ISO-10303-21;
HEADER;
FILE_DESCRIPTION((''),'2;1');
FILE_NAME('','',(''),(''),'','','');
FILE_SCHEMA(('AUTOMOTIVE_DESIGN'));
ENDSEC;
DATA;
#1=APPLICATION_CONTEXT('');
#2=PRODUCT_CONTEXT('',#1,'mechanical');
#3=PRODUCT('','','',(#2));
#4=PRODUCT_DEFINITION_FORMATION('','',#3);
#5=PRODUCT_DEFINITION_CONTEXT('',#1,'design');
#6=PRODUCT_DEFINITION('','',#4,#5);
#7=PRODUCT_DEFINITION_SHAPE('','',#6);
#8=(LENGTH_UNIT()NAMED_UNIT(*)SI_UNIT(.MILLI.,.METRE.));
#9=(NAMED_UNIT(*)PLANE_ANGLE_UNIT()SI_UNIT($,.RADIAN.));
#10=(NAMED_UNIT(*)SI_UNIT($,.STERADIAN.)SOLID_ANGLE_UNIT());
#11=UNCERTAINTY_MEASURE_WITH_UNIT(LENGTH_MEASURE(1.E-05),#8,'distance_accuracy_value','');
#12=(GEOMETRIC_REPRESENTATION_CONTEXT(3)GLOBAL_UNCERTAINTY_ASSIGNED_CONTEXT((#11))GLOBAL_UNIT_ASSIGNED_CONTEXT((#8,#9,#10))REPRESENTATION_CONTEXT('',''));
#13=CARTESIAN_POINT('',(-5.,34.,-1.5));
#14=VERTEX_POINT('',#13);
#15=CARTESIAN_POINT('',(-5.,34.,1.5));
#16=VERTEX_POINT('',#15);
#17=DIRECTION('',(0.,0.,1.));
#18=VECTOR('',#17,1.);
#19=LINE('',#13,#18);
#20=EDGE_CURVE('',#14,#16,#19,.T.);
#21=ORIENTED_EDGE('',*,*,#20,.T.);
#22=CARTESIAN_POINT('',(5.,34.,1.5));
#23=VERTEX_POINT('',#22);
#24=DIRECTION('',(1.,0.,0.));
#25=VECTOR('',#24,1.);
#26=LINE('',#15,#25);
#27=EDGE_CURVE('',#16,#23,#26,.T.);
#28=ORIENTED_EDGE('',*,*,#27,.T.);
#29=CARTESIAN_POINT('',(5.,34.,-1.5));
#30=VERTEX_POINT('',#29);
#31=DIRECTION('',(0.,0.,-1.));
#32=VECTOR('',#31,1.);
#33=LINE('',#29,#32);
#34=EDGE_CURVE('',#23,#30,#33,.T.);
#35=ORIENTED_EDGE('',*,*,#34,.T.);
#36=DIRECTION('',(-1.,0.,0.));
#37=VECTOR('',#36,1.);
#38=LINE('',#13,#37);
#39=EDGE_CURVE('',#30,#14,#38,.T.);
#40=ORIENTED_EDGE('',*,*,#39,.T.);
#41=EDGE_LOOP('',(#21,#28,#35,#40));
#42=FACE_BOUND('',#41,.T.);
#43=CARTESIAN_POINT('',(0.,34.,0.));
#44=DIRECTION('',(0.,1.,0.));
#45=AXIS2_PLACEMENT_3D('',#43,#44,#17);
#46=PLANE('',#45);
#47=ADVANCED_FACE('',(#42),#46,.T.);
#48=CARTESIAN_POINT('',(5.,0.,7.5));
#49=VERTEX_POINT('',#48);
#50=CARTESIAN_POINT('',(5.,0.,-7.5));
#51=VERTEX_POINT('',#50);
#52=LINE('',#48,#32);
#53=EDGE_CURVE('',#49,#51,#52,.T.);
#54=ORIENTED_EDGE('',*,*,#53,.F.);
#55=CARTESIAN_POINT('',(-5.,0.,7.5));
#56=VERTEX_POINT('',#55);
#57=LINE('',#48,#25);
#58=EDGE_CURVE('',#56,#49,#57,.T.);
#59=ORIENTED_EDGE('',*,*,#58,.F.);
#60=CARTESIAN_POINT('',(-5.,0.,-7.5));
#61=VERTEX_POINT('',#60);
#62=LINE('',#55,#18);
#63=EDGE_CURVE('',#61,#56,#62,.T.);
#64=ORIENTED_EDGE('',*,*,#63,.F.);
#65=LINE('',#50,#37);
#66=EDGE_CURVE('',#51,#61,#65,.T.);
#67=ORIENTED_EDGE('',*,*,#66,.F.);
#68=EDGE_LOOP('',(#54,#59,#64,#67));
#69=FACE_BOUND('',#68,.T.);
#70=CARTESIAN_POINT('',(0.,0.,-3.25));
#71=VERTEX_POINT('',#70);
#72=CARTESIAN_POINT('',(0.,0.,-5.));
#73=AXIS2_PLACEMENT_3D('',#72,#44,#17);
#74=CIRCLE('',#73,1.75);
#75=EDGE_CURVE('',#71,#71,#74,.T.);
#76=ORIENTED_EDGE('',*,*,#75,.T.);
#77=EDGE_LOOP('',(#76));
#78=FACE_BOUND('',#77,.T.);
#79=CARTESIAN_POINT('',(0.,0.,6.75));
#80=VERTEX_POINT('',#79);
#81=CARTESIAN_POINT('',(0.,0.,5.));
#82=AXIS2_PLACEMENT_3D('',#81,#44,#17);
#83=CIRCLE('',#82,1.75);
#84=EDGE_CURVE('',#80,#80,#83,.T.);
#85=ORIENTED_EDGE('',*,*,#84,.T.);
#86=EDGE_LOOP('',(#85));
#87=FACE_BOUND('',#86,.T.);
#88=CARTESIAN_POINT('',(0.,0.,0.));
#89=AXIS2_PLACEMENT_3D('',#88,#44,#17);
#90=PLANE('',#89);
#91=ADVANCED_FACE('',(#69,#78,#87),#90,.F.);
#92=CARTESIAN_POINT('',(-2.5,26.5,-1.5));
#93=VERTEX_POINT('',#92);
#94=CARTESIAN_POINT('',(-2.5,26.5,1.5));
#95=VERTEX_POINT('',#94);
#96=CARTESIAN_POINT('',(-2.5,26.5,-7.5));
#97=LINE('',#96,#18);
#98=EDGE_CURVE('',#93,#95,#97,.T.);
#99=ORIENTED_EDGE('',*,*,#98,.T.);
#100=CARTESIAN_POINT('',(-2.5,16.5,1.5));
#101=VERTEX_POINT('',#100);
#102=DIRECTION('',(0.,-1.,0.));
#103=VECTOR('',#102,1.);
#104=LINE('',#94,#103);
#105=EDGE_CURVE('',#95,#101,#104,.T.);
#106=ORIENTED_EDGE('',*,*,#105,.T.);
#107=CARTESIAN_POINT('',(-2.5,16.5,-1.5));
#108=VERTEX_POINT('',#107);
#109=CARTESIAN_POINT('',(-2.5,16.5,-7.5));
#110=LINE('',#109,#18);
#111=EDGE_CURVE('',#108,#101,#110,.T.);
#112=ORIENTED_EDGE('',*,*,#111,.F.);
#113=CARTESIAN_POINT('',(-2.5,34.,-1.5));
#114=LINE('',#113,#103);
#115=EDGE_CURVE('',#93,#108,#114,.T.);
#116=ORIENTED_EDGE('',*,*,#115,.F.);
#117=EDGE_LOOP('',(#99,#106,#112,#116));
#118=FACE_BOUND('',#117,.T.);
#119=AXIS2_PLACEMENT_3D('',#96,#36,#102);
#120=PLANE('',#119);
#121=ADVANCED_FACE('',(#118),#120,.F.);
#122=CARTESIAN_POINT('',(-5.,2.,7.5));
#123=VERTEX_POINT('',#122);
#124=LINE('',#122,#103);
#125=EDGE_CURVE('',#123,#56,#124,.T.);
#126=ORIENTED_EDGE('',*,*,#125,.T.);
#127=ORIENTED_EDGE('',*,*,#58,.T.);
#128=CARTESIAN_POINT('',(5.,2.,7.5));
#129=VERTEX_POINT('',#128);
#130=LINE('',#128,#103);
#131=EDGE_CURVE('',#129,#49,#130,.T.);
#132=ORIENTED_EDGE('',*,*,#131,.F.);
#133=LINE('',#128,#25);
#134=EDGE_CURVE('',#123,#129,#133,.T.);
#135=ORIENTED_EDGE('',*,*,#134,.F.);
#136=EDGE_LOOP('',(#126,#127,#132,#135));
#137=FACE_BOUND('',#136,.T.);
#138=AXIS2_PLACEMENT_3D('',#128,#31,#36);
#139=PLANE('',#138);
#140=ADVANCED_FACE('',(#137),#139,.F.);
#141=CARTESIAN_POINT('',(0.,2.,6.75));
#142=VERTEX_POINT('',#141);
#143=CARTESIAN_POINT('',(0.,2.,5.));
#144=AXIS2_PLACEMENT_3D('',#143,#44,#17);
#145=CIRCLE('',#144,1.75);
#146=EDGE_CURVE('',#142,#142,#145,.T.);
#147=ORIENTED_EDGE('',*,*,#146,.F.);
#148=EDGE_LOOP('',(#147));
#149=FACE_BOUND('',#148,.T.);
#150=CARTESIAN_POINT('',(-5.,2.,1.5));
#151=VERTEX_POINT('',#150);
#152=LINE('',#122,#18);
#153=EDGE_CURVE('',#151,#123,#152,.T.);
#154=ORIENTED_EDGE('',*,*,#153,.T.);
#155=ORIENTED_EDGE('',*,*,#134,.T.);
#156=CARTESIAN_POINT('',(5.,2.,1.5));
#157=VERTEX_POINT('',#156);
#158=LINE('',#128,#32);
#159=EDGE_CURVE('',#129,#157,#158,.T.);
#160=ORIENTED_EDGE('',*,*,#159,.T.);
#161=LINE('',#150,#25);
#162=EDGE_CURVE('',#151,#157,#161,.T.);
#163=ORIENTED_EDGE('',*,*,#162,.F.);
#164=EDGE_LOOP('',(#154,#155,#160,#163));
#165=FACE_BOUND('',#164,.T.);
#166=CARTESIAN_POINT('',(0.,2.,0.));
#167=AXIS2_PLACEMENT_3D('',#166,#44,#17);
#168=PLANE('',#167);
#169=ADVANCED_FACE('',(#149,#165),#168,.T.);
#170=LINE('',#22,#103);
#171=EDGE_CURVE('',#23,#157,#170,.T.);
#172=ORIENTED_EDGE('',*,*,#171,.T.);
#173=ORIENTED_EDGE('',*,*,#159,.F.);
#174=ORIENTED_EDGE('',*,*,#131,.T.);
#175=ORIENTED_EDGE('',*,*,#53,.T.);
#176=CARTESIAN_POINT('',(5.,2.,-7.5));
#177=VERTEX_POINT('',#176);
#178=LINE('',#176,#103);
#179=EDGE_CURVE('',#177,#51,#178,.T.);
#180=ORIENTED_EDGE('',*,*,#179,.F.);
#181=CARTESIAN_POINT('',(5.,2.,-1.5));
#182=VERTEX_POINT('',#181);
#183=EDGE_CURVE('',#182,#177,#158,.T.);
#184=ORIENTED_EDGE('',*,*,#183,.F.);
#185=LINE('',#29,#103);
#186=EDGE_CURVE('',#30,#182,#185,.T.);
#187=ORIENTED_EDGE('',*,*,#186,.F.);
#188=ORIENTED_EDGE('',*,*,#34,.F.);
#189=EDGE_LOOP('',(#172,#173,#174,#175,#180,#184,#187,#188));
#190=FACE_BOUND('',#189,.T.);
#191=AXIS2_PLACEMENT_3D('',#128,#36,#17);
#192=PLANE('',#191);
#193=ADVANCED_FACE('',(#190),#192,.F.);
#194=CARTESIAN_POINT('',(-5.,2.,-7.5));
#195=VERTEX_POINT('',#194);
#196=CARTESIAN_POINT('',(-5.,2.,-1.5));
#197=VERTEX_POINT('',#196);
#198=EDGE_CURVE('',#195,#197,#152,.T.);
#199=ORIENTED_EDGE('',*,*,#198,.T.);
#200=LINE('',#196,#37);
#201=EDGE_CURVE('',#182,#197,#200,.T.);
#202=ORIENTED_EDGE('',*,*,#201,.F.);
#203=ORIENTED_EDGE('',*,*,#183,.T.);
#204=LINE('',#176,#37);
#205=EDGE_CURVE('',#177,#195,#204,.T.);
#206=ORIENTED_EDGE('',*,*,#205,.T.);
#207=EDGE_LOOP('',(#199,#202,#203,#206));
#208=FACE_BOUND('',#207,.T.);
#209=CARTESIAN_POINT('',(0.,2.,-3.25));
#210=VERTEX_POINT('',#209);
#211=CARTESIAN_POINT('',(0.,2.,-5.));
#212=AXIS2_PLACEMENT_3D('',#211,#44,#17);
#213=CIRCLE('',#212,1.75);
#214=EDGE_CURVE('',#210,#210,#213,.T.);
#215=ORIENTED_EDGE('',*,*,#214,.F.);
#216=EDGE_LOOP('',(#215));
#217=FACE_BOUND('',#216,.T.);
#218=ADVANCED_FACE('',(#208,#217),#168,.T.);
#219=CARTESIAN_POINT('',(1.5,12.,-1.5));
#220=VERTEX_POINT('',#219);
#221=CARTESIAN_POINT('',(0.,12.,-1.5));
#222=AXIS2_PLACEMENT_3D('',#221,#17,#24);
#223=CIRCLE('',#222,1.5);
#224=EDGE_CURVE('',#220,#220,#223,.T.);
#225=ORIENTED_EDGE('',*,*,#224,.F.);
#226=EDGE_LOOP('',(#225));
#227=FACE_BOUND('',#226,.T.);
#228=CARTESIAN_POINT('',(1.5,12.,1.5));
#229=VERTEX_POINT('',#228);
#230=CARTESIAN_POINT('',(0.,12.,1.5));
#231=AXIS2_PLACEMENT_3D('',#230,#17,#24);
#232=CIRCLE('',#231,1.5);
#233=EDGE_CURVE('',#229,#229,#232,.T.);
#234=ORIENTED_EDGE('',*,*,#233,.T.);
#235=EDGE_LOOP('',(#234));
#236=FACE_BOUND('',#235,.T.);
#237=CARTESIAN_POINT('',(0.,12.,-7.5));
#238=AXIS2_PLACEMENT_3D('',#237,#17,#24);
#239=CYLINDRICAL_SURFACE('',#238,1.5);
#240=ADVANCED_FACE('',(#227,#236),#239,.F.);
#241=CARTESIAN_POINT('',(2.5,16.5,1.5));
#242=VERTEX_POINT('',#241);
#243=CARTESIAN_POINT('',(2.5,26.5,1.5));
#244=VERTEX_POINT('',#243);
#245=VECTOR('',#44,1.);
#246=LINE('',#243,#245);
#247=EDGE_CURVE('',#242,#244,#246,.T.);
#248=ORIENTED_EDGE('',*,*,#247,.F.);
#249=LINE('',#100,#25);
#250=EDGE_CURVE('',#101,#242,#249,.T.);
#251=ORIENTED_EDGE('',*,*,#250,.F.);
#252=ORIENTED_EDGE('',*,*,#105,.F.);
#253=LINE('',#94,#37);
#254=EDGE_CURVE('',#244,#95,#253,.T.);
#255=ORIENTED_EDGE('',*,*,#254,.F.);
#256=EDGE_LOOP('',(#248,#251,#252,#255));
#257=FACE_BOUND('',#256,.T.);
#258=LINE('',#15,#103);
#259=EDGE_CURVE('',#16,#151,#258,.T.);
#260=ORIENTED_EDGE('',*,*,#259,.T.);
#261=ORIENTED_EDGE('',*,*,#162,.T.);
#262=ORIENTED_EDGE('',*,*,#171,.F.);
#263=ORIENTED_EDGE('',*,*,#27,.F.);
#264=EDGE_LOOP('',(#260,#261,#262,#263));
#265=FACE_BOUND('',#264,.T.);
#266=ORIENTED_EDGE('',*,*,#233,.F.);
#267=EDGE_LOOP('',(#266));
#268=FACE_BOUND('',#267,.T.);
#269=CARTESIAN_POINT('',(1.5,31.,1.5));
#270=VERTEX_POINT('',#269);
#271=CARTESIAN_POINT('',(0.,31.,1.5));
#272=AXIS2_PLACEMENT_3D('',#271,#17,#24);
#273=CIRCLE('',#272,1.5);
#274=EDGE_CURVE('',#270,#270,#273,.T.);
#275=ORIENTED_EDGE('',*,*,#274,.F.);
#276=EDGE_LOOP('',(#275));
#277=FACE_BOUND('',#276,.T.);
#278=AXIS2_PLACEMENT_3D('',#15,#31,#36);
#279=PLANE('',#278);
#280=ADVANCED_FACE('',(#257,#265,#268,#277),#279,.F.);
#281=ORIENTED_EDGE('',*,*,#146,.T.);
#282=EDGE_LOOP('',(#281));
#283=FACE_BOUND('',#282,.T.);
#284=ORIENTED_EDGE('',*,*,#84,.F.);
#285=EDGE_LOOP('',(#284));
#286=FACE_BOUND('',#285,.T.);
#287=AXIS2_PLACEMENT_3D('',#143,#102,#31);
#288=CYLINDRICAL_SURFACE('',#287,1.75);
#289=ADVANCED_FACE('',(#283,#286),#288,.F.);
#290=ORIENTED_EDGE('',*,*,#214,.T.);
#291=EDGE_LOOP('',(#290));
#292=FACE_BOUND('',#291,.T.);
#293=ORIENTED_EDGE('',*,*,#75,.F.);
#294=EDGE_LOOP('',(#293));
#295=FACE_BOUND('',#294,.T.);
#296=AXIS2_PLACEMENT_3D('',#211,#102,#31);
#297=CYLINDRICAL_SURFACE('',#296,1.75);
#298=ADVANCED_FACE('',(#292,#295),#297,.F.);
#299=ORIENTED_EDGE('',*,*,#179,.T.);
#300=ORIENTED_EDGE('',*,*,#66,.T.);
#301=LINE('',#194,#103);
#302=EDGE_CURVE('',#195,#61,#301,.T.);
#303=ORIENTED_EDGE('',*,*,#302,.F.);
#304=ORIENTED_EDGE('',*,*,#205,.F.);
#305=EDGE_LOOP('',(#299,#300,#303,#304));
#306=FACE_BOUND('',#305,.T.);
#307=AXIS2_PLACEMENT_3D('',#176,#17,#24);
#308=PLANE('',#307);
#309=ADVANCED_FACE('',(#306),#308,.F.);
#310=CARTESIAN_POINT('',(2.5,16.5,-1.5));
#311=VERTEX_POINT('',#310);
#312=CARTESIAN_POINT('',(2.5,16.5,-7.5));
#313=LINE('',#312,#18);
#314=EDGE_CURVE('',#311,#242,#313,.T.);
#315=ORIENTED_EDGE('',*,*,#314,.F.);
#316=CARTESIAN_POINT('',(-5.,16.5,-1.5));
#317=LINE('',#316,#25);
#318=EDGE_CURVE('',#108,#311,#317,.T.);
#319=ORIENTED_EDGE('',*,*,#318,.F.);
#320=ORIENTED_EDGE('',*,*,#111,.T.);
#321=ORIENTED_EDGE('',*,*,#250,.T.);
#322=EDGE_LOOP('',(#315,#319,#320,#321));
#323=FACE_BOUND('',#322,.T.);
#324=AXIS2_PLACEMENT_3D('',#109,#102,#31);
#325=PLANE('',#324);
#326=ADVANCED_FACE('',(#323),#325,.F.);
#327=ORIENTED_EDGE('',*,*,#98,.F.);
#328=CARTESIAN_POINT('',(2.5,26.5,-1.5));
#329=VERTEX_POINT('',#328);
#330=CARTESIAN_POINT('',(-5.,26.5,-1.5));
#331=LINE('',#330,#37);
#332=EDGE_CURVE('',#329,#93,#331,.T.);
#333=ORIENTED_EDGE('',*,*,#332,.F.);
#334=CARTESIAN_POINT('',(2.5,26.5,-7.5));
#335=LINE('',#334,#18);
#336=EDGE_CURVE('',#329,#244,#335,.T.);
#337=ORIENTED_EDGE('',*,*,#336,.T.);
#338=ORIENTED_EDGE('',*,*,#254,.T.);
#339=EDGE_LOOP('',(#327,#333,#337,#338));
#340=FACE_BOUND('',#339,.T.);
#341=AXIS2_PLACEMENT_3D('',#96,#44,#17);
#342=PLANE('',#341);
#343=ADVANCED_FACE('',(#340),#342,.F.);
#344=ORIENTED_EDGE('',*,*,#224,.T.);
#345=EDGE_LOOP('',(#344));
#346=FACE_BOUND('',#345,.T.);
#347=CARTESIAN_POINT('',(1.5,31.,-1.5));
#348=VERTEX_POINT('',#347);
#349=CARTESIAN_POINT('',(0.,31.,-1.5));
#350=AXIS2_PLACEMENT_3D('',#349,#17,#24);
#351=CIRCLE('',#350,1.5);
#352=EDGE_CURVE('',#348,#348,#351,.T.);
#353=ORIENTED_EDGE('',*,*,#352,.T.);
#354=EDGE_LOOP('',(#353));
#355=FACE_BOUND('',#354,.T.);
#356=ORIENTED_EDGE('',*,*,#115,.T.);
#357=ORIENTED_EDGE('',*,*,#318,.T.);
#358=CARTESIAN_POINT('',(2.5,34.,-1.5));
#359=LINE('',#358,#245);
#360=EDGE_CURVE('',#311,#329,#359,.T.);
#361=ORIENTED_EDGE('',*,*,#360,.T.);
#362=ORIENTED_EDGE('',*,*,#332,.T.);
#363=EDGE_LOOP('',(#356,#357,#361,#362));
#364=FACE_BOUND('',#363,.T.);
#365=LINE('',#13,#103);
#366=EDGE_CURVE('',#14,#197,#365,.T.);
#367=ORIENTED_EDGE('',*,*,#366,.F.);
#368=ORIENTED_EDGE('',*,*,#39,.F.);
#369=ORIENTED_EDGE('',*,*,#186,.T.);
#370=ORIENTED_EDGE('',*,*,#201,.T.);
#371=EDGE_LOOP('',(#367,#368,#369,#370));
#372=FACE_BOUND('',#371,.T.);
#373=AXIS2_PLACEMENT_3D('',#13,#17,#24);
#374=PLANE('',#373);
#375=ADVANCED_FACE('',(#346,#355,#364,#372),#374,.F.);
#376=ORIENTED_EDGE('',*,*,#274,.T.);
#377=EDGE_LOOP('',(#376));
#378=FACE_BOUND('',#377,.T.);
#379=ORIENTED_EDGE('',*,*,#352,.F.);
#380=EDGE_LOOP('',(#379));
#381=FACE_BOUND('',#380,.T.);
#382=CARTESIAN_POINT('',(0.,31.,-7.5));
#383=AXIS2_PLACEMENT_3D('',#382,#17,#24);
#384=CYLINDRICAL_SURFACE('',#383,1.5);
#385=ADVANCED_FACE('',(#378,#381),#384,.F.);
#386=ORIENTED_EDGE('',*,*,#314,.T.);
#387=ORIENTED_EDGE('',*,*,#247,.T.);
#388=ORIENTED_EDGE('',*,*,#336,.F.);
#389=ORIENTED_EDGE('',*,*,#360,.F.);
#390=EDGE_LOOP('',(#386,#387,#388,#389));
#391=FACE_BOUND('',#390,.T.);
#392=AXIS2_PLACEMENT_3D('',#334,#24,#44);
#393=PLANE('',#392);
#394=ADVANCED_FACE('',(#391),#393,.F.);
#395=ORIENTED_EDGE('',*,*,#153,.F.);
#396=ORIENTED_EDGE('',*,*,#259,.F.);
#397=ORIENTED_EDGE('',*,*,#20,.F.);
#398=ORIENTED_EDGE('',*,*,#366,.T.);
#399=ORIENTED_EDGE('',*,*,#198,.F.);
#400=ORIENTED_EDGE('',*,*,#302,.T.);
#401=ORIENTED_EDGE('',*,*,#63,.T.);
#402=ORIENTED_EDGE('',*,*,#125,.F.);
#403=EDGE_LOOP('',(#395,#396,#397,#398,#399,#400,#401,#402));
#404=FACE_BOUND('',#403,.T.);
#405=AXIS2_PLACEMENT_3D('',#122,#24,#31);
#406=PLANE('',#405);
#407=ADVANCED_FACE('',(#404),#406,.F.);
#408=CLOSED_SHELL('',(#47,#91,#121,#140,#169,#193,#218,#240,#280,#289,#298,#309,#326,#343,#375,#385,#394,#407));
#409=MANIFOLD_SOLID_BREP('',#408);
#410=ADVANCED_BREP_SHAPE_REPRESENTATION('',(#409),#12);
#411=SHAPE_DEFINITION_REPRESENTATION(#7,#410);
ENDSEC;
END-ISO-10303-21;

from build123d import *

# Parameters (mm, degrees)
CROQUIS1_W              = 10
CROQUIS1_H              = 15
CROQUIS1_R              = 1.75
SALIENTE_EXTRUIR1_DEPTH = 2
CROQUIS2_W              = 10
CROQUIS2_H              = 3
SALIENTE_EXTRUIR2_DEPTH = 32
CROQUIS3_R              = 1.5
CORTAR_EXTRUIR1_DEPTH   = 36.524639337
CROQUIS4_W              = 5
CROQUIS4_H              = 10
CORTAR_EXTRUIR2_DEPTH   = 36.524639337


with BuildPart() as part:
    # Croquis1 → Saliente-Extruir1 (new body)
    with BuildSketch(Plane(origin=(0, 0, 0), x_dir=(1, 0, 0), z_dir=(0, 1, 0))):
        Rectangle(CROQUIS1_W, CROQUIS1_H)
        with Locations(Location((0, 5, 0), (0, 0, 270))):
            Circle(CROQUIS1_R, mode=Mode.SUBTRACT)
        with Locations(Location((0, -5, 0), (0, 0, 270))):
            Circle(CROQUIS1_R, mode=Mode.SUBTRACT)
    extrude(amount=SALIENTE_EXTRUIR1_DEPTH)

    # Croquis2 → Saliente-Extruir2 (add)
    with BuildSketch(Plane(origin=(0, 2, 0), x_dir=(1, 0, 0), z_dir=(0, 1, 0))):
        Rectangle(CROQUIS2_W, CROQUIS2_H)
    extrude(amount=SALIENTE_EXTRUIR2_DEPTH)

    # Croquis3 → Cortar-Extruir1 (cut, through all)
    with BuildSketch(Plane.XY.offset(1.5)):
        with Locations((0, 31)):
            Circle(CROQUIS3_R)
        with Locations((0, 12)):
            Circle(CROQUIS3_R)
    extrude(amount=-CORTAR_EXTRUIR1_DEPTH, mode=Mode.SUBTRACT)

    # Croquis4 → Cortar-Extruir2 (cut, through all)
    with BuildSketch(Plane.XY.offset(1.5)):
        with Locations((0, 21.5)):
            Rectangle(CROQUIS4_W, CROQUIS4_H)
    extrude(amount=-CORTAR_EXTRUIR2_DEPTH, mode=Mode.SUBTRACT)


solid = part.part
